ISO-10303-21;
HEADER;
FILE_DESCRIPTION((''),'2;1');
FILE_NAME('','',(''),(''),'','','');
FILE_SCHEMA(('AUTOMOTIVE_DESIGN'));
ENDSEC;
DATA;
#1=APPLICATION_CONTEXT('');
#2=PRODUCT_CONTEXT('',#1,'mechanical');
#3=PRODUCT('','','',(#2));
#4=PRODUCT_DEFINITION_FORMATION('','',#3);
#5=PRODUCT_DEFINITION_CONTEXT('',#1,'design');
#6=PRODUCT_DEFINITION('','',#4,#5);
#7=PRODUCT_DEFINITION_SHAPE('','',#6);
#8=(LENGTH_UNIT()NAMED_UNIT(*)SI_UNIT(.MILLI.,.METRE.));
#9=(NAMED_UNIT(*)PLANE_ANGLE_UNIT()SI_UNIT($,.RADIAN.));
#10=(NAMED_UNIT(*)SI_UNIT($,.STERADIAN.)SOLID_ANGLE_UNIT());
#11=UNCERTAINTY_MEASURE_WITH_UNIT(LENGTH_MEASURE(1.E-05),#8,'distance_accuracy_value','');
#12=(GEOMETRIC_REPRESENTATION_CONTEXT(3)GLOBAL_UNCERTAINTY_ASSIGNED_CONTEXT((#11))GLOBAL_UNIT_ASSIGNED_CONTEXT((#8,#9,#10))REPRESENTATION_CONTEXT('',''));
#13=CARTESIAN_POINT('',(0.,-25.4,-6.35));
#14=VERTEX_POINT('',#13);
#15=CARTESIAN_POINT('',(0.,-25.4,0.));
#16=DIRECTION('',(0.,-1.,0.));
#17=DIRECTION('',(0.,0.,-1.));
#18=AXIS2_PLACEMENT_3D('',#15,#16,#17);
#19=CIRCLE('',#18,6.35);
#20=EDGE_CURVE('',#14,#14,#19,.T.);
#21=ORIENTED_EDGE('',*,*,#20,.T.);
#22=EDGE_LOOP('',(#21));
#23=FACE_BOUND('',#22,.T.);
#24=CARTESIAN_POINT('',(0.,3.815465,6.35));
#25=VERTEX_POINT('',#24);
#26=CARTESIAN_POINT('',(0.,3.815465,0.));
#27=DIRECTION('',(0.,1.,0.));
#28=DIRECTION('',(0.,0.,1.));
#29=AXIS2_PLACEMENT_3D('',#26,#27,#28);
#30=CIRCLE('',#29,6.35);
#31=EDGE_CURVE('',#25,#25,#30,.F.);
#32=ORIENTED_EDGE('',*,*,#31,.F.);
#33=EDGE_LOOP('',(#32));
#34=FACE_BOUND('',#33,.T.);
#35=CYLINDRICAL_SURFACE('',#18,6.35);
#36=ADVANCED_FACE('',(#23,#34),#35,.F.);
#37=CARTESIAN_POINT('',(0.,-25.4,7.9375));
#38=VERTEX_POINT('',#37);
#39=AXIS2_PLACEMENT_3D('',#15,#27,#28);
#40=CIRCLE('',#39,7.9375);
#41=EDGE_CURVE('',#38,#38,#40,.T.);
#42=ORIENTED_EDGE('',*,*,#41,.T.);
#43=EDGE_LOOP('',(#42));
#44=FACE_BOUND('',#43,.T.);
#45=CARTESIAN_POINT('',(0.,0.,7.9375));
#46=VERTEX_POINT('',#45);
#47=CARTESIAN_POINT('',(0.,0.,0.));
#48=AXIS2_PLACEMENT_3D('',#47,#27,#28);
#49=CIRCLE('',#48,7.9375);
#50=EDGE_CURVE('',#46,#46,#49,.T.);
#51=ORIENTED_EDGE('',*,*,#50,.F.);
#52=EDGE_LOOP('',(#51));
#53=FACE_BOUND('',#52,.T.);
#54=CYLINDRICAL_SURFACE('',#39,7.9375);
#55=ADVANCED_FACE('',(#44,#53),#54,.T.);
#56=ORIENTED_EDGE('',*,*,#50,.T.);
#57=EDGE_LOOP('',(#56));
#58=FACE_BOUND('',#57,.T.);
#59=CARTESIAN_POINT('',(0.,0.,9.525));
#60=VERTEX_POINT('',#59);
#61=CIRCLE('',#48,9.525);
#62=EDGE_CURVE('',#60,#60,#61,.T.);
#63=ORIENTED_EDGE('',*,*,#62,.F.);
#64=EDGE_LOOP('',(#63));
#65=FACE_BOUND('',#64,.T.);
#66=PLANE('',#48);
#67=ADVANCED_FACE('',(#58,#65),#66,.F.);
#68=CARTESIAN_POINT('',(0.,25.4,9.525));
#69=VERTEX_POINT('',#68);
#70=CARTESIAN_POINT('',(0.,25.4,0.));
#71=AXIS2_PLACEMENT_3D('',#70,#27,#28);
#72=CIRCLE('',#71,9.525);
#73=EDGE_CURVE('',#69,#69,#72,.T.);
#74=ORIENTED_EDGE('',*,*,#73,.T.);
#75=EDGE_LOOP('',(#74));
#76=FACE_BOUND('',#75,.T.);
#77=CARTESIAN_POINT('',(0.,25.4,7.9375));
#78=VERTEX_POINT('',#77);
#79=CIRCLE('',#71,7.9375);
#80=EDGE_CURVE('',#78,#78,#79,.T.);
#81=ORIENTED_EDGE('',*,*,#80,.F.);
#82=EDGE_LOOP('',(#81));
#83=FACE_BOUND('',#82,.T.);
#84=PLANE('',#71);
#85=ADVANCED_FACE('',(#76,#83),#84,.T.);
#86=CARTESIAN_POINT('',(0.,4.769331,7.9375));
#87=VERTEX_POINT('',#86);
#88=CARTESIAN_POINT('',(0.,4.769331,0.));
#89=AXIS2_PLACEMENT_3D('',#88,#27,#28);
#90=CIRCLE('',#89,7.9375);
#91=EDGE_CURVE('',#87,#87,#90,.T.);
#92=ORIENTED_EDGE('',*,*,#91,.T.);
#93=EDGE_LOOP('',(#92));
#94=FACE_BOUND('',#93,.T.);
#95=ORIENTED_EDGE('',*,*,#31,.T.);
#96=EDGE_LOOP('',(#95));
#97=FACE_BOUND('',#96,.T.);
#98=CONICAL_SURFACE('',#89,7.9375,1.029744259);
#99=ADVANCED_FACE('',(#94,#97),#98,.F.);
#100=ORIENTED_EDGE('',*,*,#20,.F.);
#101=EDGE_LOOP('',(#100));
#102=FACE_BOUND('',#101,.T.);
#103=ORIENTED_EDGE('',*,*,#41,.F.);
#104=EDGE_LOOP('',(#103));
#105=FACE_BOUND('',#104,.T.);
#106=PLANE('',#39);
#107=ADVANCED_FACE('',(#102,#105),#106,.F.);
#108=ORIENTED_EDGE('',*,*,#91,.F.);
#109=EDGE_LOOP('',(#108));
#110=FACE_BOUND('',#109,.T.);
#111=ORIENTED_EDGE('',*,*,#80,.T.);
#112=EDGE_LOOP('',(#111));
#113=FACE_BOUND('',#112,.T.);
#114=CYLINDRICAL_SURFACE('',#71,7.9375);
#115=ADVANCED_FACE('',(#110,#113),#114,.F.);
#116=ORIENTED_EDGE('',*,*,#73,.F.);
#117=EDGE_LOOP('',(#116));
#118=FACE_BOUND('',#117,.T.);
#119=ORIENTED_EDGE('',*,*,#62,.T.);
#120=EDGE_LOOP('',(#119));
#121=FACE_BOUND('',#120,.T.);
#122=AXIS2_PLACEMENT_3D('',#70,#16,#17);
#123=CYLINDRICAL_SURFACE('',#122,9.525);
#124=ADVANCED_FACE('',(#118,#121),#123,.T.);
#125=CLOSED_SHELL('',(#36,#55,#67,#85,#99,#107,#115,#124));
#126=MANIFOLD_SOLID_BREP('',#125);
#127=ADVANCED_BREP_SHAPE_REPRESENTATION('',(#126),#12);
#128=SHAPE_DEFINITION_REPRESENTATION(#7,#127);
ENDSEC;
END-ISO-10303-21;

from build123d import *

# Parameters (mm, degrees)
SKETCH2_R                        = 9.525
SKETCH2_R_2                      = 7.9375
BOSS_EXTRUDE1_DEPTH              = 25.4
SKETCH2_3_R                      = 7.9375
BOSS_EXTRUDE2_DEPTH              = 25.4
F_5_8_0_625_DIAMETER_HOLE1_D     = 15.875
F_5_8_0_625_DIAMETER_HOLE1_DEPTH = 20.630668836
F_5_8_0_625_DIAMETER_HOLE1_TIP   = 4.769331164
F_1_2_0_5_DIAMETER_HOLE1_D       = 12.7


with BuildPart() as part:
    # Sketch2 → Boss-Extrude1 (new body)
    # profile 1 of 2: a face of its own
    with BuildSketch(Plane(origin=(0, 0, 0), x_dir=(1, 0, 0), z_dir=(0, 1, 0))):
        with Locations(Location((0, 0, 0), (0, 0, 270))):
            Circle(SKETCH2_R)
        Circle(SKETCH2_R_2, mode=Mode.SUBTRACT)
    # profile 2 of 2: a face of its own
    with BuildSketch(Plane(origin=(0, 0, 0), x_dir=(1, 0, 0), z_dir=(0, 1, 0))):
        Circle(SKETCH2_R_2)
    extrude(amount=BOSS_EXTRUDE1_DEPTH)

    # Sketch2<3> → Boss-Extrude2 (add)
    with BuildSketch(Plane(origin=(0, 0, 0), x_dir=(1, 0, 0), z_dir=(0, 1, 0))):
        with Locations(Location((0, 0, 0), (0, 0, 270))):
            Circle(SKETCH2_3_R)
    extrude(amount=-BOSS_EXTRUDE2_DEPTH)

    # 5/8 (0.625) Diameter Hole1
    with Locations(Plane(origin=(0, 25.4, 0), x_dir=(1, 0, 0), z_dir=(0, 1, 0))):
        with Locations((0, 0)):
            Hole(F_5_8_0_625_DIAMETER_HOLE1_D / 2, depth=F_5_8_0_625_DIAMETER_HOLE1_DEPTH)
            with Locations((0, 0, -(F_5_8_0_625_DIAMETER_HOLE1_DEPTH + F_5_8_0_625_DIAMETER_HOLE1_TIP / 2))):  # 118° drill point
                Cone(0, F_5_8_0_625_DIAMETER_HOLE1_D / 2, F_5_8_0_625_DIAMETER_HOLE1_TIP, mode=Mode.SUBTRACT)

    # 1/2 (0.5) Diameter Hole1 (through all)
    with Locations(Plane(origin=(0, -25.4, 0), x_dir=(-1, 0, 0), z_dir=(0, -1, 0))):
        with Locations((0, 0)):
            Hole(F_1_2_0_5_DIAMETER_HOLE1_D / 2)


solid = part.part
